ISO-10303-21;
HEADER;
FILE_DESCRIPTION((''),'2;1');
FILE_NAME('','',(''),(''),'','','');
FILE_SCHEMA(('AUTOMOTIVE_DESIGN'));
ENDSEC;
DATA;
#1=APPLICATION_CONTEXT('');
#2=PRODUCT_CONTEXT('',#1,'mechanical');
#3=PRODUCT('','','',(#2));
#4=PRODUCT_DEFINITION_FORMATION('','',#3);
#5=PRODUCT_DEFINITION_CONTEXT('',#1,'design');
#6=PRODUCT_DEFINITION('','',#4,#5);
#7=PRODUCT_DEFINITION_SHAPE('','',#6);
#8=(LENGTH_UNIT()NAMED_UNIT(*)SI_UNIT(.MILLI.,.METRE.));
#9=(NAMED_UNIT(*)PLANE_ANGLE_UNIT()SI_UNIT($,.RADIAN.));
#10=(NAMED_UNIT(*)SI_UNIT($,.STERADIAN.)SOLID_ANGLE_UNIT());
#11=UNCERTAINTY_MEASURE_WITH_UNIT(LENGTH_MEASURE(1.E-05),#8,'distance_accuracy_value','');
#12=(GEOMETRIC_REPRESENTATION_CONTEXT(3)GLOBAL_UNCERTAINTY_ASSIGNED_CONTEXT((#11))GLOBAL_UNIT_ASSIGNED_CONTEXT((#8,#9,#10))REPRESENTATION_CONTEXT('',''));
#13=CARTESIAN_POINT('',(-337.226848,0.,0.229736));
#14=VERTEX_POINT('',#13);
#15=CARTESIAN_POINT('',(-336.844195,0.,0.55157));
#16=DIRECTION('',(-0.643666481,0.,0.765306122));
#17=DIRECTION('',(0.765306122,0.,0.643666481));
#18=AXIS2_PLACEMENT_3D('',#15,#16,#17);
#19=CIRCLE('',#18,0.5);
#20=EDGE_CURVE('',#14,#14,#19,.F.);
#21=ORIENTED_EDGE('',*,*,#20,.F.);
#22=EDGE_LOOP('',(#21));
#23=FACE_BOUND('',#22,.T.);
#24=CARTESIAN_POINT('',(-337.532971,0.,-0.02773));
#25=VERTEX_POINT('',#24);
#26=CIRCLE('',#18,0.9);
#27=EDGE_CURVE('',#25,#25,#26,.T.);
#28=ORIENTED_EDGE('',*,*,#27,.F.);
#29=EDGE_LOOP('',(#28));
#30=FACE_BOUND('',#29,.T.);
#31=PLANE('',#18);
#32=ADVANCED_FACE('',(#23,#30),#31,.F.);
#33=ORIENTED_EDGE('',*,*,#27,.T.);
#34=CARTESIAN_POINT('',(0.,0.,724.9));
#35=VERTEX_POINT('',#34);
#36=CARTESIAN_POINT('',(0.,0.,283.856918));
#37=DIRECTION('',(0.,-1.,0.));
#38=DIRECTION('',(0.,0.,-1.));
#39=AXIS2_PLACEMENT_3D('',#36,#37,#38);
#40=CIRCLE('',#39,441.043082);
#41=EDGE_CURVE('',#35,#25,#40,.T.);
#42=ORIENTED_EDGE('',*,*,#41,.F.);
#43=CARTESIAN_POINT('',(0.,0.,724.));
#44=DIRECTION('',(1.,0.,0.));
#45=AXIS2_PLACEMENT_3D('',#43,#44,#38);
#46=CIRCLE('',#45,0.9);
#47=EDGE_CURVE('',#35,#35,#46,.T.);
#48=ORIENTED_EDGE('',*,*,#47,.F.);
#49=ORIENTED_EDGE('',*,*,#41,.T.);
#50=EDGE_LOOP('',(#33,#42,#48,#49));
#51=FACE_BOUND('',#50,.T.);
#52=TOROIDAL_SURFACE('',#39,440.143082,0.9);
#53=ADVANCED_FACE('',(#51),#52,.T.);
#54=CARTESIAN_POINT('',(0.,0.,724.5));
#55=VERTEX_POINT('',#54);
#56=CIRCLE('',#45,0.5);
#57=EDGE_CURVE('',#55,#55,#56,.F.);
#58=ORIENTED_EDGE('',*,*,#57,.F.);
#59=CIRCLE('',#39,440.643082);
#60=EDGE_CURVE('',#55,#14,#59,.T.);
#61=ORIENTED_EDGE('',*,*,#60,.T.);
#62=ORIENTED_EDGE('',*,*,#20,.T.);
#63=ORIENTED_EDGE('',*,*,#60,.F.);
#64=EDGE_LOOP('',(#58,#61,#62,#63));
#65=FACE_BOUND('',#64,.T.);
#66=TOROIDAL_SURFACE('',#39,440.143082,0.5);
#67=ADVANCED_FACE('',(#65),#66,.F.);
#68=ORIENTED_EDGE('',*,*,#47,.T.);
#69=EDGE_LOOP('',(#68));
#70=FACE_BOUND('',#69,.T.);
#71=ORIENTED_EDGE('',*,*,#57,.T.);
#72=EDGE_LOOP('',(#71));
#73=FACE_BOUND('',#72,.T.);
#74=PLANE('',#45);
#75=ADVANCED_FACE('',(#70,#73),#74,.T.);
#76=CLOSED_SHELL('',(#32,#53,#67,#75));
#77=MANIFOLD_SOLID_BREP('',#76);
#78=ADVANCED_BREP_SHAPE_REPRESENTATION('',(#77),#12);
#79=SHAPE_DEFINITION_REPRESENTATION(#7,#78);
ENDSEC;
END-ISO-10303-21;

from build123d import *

# Parameters (mm, degrees)
SKETCH2_R   = 0.9
SKETCH2_R_2 = 0.5


with BuildPart() as part:
    # Sweep1: sweep along a path in Sketch1
    with BuildLine(Plane(origin=(0, 0, 0), x_dir=(1, 0, 0), z_dir=(0, 1, 0))) as sweep1_path:
        ThreePointArc((0, -724.856918182), (-399.788632229, -470.002155943), (-337.5, 0))
    # Sketch2 → Sweep1 (sweep)
    with BuildSketch(Plane(origin=(0, 0, 0), x_dir=(0, 0, -1), z_dir=(1, 0, 0))):
        with Locations((-724, 0)):
            Circle(SKETCH2_R)
        with Locations((-724, 0)):
            Circle(SKETCH2_R_2, mode=Mode.SUBTRACT)
    sweep(path=sweep1_path.line)


solid = part.part
